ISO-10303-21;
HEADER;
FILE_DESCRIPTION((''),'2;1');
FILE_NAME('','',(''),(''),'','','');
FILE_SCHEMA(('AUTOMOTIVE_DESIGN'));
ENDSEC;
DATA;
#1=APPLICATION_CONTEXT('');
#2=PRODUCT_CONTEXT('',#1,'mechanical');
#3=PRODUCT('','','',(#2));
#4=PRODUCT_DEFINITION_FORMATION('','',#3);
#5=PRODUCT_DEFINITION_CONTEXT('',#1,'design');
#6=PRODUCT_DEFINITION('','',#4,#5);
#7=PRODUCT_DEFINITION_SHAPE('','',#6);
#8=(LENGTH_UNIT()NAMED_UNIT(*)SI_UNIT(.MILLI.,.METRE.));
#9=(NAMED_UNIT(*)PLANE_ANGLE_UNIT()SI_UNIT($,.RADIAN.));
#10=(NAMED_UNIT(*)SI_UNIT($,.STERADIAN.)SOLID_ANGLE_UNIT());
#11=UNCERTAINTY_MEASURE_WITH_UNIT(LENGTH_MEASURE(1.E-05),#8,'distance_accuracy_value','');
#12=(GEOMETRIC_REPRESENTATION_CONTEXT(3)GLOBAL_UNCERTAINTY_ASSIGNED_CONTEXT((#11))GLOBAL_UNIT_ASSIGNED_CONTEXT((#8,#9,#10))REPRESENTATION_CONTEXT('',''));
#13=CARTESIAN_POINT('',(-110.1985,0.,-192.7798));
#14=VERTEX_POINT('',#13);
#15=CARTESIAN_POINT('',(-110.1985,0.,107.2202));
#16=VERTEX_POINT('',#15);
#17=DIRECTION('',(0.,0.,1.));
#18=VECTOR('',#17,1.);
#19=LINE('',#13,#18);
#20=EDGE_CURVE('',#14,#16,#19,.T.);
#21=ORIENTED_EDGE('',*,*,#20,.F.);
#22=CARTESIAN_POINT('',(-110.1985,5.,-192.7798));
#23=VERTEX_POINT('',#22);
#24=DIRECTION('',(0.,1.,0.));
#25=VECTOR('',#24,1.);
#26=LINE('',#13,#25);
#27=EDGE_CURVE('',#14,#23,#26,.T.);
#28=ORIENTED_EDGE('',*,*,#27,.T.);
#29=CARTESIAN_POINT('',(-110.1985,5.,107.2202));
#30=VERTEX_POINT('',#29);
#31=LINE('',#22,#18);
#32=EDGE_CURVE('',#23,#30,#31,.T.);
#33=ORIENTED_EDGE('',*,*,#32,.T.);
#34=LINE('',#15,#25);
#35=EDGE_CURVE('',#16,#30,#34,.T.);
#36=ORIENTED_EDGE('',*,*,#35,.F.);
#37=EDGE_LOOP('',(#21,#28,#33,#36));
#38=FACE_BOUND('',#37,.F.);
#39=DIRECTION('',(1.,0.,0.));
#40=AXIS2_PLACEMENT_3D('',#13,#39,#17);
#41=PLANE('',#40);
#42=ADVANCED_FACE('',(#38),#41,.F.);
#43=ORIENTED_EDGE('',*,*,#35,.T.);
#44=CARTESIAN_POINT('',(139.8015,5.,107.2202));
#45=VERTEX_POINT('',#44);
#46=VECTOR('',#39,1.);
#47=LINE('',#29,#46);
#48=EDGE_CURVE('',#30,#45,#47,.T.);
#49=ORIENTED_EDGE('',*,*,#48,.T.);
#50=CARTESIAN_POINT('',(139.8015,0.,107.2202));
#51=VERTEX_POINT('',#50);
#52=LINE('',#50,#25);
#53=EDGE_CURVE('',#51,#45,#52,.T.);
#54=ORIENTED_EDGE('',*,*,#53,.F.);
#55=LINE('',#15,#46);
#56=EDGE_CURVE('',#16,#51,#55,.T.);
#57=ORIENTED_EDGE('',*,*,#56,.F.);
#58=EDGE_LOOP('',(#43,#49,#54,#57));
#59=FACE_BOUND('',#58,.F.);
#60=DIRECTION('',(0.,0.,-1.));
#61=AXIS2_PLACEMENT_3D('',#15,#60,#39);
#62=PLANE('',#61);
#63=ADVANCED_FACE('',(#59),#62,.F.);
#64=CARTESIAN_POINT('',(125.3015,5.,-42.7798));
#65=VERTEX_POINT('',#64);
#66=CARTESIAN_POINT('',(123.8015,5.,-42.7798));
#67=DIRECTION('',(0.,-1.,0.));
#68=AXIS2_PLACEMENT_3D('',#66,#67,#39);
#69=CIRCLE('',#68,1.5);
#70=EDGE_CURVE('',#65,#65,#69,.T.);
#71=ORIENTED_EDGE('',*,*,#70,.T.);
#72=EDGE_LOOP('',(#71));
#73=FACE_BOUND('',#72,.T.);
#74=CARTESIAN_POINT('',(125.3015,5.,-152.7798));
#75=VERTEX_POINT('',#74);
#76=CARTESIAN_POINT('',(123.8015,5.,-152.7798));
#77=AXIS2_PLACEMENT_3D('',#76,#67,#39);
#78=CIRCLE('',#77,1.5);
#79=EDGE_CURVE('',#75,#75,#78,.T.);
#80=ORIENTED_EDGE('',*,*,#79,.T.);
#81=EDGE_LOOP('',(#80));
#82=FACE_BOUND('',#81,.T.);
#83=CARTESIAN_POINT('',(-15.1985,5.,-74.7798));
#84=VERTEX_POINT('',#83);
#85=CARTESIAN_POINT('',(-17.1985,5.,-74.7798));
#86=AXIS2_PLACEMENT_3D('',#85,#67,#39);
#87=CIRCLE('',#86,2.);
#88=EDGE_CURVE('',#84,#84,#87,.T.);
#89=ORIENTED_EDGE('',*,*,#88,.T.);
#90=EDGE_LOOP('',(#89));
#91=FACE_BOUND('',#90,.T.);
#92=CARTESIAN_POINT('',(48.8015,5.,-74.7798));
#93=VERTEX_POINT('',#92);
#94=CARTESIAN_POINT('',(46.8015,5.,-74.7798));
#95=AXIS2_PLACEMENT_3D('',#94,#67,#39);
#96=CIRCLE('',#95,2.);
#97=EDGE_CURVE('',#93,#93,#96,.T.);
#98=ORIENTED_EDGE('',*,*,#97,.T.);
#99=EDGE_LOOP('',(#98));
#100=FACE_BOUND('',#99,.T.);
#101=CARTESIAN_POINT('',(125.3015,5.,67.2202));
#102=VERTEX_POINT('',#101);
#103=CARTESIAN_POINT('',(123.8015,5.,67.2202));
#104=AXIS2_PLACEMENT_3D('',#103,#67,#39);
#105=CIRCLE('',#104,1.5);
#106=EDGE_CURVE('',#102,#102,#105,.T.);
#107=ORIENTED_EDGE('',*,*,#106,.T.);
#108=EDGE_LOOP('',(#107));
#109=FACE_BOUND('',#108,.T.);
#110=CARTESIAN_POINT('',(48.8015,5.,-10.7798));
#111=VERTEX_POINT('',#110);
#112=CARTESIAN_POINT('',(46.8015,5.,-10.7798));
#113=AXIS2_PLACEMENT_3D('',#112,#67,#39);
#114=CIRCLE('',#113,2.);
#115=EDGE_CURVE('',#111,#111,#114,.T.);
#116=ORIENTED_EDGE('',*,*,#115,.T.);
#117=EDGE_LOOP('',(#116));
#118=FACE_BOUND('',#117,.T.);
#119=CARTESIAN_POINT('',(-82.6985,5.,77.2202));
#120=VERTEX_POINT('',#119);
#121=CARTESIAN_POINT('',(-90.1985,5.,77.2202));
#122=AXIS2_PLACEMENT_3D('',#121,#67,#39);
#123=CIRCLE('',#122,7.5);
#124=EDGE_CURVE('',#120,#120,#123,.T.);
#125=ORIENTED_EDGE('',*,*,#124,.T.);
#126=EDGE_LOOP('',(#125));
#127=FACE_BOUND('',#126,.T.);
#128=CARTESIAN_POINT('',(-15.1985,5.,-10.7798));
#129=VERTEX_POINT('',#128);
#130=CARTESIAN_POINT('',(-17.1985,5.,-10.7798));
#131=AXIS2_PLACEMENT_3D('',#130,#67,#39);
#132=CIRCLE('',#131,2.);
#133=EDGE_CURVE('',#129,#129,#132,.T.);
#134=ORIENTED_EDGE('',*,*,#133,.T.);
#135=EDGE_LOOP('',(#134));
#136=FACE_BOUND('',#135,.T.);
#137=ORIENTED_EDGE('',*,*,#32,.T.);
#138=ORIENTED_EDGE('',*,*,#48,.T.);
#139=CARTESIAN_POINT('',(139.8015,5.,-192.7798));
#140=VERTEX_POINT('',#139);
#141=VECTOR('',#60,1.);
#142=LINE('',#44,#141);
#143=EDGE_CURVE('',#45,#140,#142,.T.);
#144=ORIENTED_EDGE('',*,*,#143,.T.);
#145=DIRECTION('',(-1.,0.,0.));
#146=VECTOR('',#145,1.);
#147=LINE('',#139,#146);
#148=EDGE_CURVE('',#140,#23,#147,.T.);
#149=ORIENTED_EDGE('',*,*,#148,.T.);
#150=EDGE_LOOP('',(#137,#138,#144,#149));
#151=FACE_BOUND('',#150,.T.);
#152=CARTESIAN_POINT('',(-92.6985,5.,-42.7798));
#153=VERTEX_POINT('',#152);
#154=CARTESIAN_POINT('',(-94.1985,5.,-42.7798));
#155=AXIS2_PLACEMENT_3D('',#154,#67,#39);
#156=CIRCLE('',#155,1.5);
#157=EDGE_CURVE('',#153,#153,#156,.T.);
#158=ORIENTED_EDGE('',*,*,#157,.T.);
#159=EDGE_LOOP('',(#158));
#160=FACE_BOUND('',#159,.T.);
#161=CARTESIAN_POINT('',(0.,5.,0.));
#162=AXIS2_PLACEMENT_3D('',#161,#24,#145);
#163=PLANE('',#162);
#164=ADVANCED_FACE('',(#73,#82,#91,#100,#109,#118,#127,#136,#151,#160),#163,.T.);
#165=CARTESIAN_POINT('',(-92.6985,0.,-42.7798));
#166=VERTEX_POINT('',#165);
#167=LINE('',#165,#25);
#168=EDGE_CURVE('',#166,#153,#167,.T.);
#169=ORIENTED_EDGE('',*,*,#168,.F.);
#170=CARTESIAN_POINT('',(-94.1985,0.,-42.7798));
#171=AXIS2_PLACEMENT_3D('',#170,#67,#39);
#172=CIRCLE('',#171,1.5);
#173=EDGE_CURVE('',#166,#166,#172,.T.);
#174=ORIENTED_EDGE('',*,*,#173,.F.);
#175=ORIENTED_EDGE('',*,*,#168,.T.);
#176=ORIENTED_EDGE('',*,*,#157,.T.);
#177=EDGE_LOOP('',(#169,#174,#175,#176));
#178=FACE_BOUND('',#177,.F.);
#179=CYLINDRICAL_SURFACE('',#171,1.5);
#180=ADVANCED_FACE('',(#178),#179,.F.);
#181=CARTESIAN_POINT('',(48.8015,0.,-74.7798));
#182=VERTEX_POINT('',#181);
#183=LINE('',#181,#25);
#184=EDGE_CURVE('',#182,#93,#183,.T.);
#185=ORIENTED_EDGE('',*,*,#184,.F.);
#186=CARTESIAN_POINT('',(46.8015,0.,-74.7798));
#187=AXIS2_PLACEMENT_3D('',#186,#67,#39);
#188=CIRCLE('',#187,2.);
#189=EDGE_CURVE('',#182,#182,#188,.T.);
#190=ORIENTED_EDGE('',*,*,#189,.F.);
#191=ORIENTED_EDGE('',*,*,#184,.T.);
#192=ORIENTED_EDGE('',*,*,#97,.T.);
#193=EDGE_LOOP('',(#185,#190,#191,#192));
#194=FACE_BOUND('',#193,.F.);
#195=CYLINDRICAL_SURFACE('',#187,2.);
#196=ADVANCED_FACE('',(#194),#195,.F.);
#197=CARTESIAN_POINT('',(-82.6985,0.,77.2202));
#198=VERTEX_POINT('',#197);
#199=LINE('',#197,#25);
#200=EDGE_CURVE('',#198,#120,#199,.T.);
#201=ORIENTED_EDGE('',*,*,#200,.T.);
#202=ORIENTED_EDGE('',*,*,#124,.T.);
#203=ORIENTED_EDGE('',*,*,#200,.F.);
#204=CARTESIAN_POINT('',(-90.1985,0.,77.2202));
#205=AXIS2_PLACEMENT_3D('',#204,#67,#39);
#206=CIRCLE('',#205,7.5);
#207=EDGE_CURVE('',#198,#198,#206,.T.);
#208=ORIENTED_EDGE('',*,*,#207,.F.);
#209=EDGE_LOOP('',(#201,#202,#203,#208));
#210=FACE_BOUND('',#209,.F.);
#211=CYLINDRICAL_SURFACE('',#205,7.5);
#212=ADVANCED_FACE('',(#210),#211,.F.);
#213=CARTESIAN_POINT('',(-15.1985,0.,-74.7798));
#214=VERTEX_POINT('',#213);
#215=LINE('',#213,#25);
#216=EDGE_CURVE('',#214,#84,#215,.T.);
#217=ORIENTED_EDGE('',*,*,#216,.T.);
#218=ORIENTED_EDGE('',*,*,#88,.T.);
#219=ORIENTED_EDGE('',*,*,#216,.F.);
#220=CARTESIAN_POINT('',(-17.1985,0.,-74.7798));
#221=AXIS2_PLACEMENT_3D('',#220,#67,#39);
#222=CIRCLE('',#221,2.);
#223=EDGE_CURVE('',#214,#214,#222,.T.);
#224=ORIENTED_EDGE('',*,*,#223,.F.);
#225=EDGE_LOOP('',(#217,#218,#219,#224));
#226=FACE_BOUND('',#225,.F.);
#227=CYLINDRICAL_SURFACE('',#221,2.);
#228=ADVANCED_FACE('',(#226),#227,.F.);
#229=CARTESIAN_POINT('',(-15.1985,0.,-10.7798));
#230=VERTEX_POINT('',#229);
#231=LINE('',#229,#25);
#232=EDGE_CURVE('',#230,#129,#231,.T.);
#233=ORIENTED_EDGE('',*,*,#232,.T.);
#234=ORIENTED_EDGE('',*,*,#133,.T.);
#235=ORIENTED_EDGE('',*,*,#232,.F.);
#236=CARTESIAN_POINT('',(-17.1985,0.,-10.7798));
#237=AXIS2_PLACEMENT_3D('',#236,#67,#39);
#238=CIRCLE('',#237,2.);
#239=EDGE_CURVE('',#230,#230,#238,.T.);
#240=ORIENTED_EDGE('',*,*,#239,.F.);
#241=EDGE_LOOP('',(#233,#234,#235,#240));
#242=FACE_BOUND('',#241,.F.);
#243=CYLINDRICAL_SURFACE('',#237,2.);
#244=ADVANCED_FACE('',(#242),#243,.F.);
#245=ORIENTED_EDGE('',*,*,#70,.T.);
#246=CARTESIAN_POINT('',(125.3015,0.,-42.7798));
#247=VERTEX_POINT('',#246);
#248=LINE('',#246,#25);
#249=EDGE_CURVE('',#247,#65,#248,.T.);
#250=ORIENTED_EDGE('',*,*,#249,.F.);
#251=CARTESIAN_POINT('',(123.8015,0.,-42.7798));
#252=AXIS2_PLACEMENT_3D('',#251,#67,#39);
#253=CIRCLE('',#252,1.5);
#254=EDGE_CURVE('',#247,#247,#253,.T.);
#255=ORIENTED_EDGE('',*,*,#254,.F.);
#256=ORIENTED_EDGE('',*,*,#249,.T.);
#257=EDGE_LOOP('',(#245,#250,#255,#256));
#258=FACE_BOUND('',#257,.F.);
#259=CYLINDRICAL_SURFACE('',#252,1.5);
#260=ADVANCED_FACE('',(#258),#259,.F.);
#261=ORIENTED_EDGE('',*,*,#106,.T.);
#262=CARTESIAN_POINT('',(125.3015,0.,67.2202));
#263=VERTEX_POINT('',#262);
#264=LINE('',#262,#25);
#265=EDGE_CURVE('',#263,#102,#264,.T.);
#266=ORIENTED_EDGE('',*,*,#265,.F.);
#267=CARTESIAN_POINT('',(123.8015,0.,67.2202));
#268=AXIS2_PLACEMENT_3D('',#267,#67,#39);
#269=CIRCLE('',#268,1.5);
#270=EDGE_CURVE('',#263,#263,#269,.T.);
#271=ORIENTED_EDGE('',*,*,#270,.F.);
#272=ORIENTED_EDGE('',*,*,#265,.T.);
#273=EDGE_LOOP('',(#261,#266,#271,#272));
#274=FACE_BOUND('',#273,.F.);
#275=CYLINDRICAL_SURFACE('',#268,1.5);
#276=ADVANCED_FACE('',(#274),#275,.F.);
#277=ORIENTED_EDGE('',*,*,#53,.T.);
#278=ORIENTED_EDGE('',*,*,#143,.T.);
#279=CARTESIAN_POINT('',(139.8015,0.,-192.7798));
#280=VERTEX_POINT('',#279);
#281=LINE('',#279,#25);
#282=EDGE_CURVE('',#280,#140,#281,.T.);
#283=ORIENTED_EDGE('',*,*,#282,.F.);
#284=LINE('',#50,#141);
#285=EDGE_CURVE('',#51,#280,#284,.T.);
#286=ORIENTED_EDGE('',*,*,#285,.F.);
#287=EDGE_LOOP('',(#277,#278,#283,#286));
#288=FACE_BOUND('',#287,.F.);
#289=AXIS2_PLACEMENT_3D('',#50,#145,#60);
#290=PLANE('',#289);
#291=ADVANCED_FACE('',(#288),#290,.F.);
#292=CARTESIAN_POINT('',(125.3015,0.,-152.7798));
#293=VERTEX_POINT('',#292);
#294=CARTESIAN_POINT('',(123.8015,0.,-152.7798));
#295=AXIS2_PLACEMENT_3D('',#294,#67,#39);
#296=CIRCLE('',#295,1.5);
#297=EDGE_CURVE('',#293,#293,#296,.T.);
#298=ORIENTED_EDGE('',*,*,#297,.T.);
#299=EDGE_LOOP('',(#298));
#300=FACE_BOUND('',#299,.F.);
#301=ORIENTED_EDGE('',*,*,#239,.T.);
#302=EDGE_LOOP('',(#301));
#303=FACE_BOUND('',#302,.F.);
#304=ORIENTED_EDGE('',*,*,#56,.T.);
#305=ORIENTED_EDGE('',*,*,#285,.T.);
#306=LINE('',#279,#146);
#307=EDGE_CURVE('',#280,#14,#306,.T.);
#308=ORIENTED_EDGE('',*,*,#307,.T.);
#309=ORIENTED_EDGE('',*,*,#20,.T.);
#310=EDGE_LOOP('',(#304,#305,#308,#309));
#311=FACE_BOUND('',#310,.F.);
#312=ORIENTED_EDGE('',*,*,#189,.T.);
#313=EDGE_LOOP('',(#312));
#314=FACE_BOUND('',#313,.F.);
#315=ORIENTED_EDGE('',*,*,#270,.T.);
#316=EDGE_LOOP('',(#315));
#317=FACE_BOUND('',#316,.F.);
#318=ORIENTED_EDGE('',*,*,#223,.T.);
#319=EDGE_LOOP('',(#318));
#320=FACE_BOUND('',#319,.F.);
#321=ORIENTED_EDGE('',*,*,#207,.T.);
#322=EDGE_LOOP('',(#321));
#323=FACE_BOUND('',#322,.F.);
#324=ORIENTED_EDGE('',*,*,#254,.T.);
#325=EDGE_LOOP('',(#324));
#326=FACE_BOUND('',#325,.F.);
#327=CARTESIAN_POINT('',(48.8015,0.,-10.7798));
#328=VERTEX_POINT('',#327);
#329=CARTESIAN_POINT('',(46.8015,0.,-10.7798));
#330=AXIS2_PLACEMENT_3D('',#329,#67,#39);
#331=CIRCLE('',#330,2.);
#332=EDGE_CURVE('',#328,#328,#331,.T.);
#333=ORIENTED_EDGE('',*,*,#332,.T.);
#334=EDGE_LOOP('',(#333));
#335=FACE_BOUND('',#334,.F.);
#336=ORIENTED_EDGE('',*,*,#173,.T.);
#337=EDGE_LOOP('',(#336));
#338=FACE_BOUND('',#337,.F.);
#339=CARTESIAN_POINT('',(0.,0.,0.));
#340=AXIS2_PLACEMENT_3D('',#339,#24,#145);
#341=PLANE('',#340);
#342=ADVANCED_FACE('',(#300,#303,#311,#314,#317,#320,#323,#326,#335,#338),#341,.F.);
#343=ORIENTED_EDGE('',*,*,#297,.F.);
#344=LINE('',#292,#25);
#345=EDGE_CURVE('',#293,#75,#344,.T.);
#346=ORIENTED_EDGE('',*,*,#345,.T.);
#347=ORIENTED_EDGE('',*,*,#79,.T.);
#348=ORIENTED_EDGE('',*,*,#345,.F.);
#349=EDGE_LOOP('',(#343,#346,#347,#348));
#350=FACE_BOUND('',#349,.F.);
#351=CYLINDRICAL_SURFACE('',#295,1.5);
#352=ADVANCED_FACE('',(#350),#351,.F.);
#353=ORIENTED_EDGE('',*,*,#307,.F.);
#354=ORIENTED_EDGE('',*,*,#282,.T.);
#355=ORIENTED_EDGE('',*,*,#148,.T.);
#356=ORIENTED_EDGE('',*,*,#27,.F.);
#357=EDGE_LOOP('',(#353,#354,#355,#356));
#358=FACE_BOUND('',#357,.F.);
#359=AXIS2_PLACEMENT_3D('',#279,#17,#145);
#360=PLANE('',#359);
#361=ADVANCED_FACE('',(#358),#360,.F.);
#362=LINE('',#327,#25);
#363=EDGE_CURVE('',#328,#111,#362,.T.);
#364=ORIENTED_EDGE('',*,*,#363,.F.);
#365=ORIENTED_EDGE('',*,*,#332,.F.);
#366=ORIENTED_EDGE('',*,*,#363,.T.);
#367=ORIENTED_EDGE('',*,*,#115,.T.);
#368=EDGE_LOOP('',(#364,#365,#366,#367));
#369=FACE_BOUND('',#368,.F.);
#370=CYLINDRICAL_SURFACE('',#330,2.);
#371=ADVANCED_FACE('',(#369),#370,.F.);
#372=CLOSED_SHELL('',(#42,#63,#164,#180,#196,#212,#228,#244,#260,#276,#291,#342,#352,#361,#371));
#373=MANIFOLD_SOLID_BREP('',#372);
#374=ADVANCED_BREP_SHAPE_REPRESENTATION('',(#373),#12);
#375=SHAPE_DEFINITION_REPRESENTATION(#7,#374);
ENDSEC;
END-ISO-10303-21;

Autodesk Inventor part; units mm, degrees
ref_plane "YZ Plane" through (0, 0, 0) normal (1, 0, 0) x (0, 1, 0)
ref_plane "XZ Plane" through (0, 0, 0) normal (0, 1, 0) x (-1, 0, 0)
ref_plane "XY Plane" through (0, 0, 0) normal (0, 0, 1) x (1, 0, 0)
sketch "Esquisse1" plane through (0, 0, 0) normal (0, 1, 0) x (-1, 0, 0)
  line L0 (110.1985, 107.2202) -> (-139.8015, 107.2202)
  line L1 (-139.8015, 107.2202) -> (-139.8015, -192.7798)
  line L2 (-139.8015, -192.7798) -> (110.1985, -192.7798)
  line L3 (110.1985, -192.7798) -> (110.1985, 107.2202)
  point P0 (0, 0)
  dimension "d0" = 300
  dimension "d1" = 250
extrude "Extrusion1" add sketch "Esquisse1" along normal blind 5
sketch "Esquisse2" plane through (0, 0, 0) normal (0, -1, 0) x (1, 0, 0)
  circle A0 centre (-94.1985, -42.7798) radius 1.5
  circle A1 centre (123.8015, -42.7798) radius 1.5
  circle A2 centre (123.8015, 67.2202) radius 1.5
  circle A3 centre (123.8015, -152.7798) radius 1.5
  line L0 (-110.1985, -192.7798) -> (-110.1985, 107.2202) projected
  line L1 (139.8015, -192.7798) -> (-110.1985, -192.7798) projected
  line L2 (139.8015, 107.2202) -> (139.8015, -192.7798) projected
  line L3 (-110.1985, 107.2202) -> (139.8015, 107.2202) projected
  point P0 (0, 0)
  dimension "d4" = 16
  dimension "d5" = 150
  dimension "d6" = 16
  dimension "d7" = 16
  dimension "d8" = 16
  dimension "d9" = 40
  dimension "d10" = 150
  dimension "d11" = 40
extrude "Extrusion2" cut sketch "Esquisse2" against normal through all contours A0 | A1 | A2 | A3
sketch "Esquisse6" plane through (0, 0, 0) normal (0, -1, 0) x (1, 0, 0)
  circle A0 centre (-90.1985, 77.2202) radius 7.5
  line L0 (-110.1985, 107.2202) -> (139.8015, 107.2202) projected
  line L1 (-110.1985, -192.7798) -> (-110.1985, 107.2202) projected
  point P0 (0, 0)
  dimension "d32" = 15
  dimension "d33" = 30
  dimension "d34" = 20
extrude "Extrusion6" cut sketch "Esquisse6" against normal up to next
sketch "Esquisse7" plane through (0, 0, 0) normal (0, -1, 0) x (1, 0, 0)
  circle A0 centre (-17.1985, -10.7798) radius 2
  circle A1 centre (-17.1985, -74.7798) radius 2
  circle A2 centre (46.8015, -74.7798) radius 2
  circle A3 centre (46.8015, -10.7798) radius 2
  point P0 (0, 0)
extrude "Extrusion7" cut sketch "Esquisse7" against normal up to next
properties part number "toit"
